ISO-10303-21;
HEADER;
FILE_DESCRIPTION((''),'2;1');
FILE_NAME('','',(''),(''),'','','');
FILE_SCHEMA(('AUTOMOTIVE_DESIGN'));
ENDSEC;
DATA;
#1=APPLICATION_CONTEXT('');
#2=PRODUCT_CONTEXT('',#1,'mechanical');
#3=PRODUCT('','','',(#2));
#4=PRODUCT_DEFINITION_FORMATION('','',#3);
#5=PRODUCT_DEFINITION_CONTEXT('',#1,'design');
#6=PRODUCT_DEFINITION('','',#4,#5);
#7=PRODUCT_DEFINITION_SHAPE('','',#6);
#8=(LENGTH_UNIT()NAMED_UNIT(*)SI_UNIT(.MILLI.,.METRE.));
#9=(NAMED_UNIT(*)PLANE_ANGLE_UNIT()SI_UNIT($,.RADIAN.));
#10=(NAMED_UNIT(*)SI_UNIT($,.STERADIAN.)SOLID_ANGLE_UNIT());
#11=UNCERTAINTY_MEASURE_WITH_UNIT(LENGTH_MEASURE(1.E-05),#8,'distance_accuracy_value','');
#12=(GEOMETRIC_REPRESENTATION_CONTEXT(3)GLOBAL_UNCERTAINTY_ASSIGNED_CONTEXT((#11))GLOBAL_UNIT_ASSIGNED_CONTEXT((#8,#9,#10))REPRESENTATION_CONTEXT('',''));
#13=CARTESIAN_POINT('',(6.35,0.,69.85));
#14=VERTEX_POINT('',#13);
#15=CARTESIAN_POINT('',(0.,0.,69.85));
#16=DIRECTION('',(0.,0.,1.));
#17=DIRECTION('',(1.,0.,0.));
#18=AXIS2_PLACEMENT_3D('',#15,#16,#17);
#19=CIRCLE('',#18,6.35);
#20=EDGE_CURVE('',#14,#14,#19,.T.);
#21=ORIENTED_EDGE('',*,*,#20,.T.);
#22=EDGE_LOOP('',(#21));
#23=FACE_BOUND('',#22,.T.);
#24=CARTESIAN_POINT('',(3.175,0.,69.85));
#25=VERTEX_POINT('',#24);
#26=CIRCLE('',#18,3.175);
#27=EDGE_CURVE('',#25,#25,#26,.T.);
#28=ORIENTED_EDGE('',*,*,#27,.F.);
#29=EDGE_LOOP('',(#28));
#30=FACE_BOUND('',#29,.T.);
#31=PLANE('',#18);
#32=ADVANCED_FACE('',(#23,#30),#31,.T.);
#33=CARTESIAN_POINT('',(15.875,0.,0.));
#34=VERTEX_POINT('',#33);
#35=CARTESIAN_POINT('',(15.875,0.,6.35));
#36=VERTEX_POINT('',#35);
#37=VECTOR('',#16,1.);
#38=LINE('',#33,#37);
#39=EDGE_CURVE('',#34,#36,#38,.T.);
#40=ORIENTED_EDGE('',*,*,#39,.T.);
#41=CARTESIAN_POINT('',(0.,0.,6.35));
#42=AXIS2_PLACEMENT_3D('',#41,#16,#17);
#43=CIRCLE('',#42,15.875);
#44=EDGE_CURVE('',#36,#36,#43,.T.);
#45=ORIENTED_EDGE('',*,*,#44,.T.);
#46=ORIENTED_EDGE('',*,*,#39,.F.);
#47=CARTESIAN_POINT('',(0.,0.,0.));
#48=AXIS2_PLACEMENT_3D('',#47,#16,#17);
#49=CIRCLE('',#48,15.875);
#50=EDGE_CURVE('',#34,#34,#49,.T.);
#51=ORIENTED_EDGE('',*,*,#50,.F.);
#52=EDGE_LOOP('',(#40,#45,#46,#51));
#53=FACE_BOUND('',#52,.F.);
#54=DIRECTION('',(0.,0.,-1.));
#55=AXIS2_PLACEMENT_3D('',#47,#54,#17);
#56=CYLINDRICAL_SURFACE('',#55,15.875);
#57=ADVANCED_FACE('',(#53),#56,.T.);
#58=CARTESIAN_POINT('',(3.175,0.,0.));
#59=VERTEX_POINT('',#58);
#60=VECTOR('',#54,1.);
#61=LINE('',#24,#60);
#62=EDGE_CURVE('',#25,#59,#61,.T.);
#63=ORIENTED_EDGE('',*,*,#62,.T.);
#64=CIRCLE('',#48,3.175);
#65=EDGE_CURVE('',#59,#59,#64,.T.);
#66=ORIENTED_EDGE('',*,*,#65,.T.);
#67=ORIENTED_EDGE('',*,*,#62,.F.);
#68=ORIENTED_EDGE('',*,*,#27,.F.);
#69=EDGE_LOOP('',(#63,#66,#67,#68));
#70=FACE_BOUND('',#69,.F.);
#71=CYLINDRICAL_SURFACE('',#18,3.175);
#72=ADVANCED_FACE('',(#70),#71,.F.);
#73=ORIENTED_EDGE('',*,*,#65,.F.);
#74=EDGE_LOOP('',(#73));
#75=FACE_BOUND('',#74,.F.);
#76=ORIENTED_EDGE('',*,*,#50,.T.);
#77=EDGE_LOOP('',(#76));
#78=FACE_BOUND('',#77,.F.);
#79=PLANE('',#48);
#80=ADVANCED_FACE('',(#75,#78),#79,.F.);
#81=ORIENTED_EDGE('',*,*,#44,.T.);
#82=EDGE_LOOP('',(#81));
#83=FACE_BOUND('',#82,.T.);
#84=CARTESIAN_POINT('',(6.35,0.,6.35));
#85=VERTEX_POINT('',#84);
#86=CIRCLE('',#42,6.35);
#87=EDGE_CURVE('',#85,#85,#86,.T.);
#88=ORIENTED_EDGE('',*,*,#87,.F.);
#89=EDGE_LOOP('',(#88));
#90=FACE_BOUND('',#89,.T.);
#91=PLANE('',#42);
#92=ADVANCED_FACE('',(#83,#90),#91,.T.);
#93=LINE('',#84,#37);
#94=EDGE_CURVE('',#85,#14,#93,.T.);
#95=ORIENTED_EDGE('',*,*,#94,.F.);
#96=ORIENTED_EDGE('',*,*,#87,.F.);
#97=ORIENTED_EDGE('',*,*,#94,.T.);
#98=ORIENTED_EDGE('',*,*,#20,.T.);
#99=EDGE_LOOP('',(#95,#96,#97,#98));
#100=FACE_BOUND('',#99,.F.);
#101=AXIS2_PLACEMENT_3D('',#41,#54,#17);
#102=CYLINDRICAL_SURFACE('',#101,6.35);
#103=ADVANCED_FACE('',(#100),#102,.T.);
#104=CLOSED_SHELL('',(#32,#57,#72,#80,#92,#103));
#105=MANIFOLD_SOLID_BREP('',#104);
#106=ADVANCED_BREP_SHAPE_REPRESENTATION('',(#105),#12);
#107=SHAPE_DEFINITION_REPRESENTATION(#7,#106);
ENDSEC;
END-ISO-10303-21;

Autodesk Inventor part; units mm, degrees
ref_plane "YZ Plane" through (0, 0, 0) normal (1, 0, 0) x (0, 1, 0)
ref_plane "XZ Plane" through (0, 0, 0) normal (0, 1, 0) x (-1, 0, 0)
ref_plane "XY Plane" through (0, 0, 0) normal (0, 0, 1) x (1, 0, 0)
sketch "Sketch11" plane through (0, 0, 0) normal (0, 0, 1) x (1, 0, 0)
  circle A0 centre (0, 0) radius 15.875
  dimension "d21" = 31.75
extrude "Extrusion1" add sketch "Sketch11" along normal blind 6.35
sketch "Sketch12" plane through (0, 0, 6.35) normal (0, 0, 1) x (1, 0, 0)
  circle A0 centre (0, 0) radius 6.35
  dimension "d26" = 12.7
extrude "Extrusion2" add sketch "Sketch12" along normal blind 63.5
sketch "Sketch13" plane through (0, 0, 69.85) normal (0, 0, 1) x (1, 0, 0)
  circle A0 centre (0, 0) radius 3.175
  dimension "d27" = 6.35
extrude "Extrusion3" cut sketch "Sketch13" against normal through all
properties part number "punch_holder"
